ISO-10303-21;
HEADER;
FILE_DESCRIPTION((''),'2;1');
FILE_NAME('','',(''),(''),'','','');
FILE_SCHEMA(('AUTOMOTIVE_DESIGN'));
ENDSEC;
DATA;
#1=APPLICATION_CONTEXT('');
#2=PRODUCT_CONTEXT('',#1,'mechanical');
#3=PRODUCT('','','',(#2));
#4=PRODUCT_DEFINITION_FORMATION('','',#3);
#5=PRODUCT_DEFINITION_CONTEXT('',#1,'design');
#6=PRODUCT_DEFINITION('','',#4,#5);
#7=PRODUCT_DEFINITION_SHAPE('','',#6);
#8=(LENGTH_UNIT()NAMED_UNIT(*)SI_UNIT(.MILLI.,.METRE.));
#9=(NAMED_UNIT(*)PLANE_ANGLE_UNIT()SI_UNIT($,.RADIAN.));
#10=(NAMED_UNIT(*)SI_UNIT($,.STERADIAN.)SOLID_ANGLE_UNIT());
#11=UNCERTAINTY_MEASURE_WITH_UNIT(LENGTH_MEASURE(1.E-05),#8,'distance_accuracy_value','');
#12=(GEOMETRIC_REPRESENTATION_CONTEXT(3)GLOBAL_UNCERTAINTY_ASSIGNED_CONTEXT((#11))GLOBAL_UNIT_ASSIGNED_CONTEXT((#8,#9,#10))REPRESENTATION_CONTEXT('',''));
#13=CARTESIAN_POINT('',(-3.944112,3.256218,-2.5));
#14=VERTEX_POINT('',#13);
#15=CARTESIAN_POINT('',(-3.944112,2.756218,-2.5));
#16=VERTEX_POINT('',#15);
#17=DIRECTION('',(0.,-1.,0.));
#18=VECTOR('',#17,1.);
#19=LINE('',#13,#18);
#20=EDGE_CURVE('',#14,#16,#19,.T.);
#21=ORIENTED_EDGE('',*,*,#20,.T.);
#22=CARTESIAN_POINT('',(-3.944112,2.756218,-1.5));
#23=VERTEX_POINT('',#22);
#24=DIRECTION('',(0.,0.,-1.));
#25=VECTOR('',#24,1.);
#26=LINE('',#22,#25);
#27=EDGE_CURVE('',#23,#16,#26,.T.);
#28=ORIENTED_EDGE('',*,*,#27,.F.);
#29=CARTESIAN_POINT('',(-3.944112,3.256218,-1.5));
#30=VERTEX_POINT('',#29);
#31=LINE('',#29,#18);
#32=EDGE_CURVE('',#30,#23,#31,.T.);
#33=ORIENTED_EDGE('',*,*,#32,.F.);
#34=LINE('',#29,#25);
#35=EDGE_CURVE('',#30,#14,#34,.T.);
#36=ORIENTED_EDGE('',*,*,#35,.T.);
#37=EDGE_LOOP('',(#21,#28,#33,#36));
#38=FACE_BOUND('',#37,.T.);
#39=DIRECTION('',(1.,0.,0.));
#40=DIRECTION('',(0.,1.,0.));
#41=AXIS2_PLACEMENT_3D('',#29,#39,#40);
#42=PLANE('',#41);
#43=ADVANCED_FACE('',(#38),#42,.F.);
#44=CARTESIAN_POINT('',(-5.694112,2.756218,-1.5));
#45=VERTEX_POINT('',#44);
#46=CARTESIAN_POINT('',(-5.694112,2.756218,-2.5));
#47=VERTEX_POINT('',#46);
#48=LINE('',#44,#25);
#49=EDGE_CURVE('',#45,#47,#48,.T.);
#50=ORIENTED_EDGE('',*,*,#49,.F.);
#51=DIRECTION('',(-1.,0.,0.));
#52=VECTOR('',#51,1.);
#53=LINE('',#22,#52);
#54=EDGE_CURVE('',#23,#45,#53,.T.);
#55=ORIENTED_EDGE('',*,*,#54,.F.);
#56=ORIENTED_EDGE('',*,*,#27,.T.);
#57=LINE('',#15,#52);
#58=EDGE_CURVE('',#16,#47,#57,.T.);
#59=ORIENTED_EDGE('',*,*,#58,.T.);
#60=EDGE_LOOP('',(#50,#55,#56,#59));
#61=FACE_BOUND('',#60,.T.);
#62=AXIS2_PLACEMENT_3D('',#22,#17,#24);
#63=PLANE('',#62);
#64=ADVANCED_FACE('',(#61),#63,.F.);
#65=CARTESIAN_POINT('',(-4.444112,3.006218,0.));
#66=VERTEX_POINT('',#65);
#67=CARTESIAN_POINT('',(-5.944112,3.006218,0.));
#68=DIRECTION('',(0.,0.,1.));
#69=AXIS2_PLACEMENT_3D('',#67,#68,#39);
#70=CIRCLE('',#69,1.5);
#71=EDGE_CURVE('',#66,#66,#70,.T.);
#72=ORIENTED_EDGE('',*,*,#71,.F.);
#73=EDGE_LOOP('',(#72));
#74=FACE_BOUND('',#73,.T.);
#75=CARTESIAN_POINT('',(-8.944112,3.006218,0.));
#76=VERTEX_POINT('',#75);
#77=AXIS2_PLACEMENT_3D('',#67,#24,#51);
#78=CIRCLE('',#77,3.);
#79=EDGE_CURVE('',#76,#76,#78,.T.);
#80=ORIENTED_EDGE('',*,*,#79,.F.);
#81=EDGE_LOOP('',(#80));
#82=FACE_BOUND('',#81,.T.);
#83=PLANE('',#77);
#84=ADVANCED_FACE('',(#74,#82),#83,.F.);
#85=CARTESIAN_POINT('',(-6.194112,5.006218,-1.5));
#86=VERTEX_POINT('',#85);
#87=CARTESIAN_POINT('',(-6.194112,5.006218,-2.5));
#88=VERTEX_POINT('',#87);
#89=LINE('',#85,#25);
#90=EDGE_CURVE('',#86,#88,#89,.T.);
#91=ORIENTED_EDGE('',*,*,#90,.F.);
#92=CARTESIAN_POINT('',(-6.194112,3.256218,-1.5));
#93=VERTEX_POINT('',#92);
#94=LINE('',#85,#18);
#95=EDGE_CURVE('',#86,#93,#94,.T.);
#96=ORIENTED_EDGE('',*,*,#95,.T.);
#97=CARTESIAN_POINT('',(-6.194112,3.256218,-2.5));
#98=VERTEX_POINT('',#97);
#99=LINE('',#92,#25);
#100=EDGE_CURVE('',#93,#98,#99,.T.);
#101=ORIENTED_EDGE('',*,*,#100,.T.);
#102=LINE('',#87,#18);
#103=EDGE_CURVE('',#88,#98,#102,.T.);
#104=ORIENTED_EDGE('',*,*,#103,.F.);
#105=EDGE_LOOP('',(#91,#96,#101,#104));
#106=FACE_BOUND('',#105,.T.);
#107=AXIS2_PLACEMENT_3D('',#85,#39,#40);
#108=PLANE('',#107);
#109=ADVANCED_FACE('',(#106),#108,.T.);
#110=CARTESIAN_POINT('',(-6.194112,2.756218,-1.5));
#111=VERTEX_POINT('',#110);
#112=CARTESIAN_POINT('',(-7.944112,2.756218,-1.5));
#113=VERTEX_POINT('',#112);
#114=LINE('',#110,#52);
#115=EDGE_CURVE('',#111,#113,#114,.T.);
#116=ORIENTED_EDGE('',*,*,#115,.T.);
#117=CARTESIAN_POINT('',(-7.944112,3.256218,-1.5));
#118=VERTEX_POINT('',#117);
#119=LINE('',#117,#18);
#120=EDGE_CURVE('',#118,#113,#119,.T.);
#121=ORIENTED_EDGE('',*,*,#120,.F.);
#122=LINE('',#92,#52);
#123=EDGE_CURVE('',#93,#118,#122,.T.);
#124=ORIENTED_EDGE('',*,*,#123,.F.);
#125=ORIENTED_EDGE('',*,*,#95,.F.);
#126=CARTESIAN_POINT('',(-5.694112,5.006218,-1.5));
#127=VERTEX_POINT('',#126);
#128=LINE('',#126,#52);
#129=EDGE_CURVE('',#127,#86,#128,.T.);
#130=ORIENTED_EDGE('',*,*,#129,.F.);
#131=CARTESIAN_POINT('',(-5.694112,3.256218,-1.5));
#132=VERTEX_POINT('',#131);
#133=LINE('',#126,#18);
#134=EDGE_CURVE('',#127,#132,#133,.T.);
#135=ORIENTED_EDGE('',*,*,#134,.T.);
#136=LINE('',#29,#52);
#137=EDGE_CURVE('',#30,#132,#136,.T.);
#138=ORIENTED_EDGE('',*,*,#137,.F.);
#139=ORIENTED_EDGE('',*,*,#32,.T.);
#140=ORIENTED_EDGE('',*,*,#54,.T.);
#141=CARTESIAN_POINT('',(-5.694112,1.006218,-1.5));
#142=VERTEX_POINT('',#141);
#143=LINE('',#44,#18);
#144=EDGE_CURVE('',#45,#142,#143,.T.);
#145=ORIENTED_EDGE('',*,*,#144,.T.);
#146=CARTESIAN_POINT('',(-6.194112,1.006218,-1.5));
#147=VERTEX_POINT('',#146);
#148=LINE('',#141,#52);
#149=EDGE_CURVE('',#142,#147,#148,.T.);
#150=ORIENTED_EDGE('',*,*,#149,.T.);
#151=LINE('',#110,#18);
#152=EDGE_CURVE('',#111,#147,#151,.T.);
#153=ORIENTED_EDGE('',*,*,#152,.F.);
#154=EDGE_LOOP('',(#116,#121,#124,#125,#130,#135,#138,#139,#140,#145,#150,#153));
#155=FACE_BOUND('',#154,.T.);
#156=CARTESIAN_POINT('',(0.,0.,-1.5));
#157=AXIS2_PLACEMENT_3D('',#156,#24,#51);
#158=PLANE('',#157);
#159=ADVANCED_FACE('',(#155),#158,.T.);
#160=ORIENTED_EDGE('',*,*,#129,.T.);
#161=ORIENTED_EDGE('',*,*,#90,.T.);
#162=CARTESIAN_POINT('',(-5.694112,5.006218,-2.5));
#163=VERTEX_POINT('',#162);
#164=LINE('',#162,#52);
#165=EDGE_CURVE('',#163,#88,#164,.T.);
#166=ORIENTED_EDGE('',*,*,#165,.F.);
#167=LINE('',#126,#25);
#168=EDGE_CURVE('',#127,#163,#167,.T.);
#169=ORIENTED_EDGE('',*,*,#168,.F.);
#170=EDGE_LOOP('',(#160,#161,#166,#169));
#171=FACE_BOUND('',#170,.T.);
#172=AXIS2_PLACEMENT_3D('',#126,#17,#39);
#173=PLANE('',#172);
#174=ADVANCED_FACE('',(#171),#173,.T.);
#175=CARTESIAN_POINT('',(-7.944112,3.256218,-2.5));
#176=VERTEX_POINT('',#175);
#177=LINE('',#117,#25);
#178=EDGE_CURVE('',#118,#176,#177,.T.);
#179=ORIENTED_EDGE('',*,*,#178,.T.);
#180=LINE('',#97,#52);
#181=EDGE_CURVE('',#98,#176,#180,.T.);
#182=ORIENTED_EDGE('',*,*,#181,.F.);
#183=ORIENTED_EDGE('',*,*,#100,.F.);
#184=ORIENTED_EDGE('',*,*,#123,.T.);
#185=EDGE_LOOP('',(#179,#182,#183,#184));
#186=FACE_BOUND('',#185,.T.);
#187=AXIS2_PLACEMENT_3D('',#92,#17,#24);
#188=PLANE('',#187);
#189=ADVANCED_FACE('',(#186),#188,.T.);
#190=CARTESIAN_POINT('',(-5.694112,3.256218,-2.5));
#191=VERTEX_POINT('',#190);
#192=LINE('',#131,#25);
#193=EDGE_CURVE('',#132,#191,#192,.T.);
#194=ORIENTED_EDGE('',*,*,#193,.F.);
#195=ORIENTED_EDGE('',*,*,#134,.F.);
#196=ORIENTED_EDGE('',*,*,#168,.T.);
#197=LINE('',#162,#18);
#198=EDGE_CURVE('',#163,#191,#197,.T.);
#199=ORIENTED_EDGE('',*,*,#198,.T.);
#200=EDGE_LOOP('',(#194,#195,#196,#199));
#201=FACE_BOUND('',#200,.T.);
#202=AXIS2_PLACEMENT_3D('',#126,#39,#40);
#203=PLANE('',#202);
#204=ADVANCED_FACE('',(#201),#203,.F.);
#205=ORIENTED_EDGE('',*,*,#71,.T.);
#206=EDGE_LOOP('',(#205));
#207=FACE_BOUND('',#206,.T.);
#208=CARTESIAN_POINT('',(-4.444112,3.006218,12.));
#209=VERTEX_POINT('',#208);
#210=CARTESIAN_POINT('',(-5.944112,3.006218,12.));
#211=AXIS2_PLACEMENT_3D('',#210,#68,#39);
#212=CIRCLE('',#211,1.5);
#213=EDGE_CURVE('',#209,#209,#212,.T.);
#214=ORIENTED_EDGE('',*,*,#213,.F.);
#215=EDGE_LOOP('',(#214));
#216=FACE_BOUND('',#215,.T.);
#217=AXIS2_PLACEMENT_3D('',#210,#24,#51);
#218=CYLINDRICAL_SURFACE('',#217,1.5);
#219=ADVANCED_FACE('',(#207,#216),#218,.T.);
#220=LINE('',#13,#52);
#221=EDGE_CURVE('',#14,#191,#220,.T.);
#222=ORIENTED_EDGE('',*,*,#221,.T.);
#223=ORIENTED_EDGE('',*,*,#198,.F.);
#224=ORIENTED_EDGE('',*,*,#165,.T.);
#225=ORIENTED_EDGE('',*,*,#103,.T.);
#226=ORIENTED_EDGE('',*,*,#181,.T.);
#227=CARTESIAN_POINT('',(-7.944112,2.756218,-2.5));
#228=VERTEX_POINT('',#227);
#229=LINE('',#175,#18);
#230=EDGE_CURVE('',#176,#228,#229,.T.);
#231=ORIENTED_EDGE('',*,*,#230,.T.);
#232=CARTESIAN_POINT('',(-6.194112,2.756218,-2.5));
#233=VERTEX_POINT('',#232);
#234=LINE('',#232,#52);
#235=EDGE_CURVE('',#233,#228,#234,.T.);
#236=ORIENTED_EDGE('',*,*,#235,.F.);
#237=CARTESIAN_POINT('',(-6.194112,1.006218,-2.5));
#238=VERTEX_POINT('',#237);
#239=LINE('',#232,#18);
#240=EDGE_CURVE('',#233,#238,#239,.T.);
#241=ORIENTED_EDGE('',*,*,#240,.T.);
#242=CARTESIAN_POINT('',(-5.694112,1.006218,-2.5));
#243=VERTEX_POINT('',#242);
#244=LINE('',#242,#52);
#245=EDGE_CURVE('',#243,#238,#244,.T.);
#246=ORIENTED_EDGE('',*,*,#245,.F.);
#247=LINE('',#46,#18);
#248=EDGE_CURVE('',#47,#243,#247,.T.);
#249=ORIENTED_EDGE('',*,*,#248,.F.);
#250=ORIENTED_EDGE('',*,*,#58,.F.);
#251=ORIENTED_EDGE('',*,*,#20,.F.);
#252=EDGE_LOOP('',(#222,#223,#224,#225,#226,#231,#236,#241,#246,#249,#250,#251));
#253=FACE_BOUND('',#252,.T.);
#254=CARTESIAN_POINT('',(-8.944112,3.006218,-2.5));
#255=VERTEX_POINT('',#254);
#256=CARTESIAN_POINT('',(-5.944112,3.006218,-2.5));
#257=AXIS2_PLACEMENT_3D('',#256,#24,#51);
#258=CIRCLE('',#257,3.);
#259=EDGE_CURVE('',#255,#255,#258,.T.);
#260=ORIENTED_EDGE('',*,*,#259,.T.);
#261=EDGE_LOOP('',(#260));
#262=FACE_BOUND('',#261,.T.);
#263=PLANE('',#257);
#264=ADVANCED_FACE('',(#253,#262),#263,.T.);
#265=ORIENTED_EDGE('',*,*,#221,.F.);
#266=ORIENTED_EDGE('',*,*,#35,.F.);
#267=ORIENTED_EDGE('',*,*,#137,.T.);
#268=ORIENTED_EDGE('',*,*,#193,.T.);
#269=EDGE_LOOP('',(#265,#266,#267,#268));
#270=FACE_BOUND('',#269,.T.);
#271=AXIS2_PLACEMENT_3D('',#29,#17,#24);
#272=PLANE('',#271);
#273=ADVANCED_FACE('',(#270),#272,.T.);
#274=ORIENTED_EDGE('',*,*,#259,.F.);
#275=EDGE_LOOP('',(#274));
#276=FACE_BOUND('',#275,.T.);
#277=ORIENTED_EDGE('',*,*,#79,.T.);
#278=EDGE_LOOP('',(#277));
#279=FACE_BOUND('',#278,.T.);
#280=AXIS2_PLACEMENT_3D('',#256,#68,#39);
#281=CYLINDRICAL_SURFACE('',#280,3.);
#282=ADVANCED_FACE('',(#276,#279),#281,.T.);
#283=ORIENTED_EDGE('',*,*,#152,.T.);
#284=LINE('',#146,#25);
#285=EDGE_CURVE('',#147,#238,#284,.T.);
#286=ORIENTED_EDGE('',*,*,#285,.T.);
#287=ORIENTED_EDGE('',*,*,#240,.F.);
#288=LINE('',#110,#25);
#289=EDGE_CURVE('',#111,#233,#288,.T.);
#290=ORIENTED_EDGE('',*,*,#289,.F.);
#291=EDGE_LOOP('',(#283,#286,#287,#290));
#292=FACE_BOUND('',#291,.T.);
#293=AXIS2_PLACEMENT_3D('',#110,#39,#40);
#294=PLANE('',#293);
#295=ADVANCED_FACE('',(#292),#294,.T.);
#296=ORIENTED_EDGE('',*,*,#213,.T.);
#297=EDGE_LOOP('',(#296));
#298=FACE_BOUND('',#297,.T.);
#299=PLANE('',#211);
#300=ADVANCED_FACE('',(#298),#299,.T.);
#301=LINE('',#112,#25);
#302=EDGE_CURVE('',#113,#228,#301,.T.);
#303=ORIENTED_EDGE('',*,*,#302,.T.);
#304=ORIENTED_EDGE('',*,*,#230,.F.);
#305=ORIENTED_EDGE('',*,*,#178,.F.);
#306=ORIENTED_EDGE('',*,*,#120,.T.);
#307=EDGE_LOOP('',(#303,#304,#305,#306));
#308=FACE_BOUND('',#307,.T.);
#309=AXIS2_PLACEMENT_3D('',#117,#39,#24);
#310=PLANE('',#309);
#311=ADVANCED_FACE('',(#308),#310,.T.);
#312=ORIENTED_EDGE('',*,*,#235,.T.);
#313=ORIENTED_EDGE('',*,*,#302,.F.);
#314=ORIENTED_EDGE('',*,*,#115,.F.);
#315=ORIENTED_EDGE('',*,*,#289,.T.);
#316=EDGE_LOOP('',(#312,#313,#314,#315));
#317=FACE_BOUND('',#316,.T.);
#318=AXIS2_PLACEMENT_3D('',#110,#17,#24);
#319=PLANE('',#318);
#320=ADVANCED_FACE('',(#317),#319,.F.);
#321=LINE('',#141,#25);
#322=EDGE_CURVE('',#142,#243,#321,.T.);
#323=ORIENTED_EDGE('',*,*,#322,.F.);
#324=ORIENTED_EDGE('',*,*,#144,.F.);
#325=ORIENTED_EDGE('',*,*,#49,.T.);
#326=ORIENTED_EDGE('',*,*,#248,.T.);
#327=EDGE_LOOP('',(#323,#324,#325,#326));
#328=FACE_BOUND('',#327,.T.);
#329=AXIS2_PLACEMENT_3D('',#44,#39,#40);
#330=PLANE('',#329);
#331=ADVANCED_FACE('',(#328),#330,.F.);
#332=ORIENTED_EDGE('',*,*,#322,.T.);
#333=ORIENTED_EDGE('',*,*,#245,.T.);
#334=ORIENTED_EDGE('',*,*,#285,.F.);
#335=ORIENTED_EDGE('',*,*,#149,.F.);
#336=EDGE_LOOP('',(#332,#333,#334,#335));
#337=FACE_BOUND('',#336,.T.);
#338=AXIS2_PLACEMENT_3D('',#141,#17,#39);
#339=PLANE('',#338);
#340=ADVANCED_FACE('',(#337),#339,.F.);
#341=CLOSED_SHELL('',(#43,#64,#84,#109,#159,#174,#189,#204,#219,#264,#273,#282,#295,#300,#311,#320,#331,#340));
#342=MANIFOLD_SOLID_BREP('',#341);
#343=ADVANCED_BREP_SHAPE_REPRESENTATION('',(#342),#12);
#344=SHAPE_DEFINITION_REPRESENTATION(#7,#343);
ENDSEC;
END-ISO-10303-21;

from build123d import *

# Parameters (mm, degrees)
SKETCH_1_R          = 1.5
EXTRUDE_1_DEPTH     = 12
SKETCH_2_R          = 3
EXTRUDE_2_DEPTH     = 2.5
CUT_EXTRUDE_3_DEPTH = 1


with BuildPart() as part:
    # 草图1 → 凸台-拉伸1 (new body)
    with BuildSketch(Plane.XY):
        with Locations((-5.944112119, 3.006217623)):
            Circle(SKETCH_1_R)
    extrude(amount=EXTRUDE_1_DEPTH)

    # 草图2 → 凸台-拉伸2 (add)
    with BuildSketch(Plane(origin=(0, 0, 0), x_dir=(-1, 0, 0), z_dir=(0, 0, -1))):
        with Locations((5.944112119, 3.006217623)):
            Circle(SKETCH_2_R)
    extrude(amount=EXTRUDE_2_DEPTH)

    # 草图4 → 切除-拉伸3 (cut)
    with BuildSketch(Plane(origin=(0, 0, -2.5), x_dir=(-1, 0, 0), z_dir=(0, 0, -1))):
        Polygon((3.944112119, 3.256217623), (5.694112119, 3.256217623), (5.694112119, 5.006217623), (6.194112119, 5.006217623), (6.194112119, 3.256217623), (7.944112119, 3.256217623), (7.944112119, 2.756217623), (6.194112119, 2.756217623), (6.194112119, 1.006217623), (5.694112119, 1.006217623), (5.694112119, 2.756217623), (3.944112119, 2.756217623), align=None)
    extrude(amount=-CUT_EXTRUDE_3_DEPTH, mode=Mode.SUBTRACT)


solid = part.part
